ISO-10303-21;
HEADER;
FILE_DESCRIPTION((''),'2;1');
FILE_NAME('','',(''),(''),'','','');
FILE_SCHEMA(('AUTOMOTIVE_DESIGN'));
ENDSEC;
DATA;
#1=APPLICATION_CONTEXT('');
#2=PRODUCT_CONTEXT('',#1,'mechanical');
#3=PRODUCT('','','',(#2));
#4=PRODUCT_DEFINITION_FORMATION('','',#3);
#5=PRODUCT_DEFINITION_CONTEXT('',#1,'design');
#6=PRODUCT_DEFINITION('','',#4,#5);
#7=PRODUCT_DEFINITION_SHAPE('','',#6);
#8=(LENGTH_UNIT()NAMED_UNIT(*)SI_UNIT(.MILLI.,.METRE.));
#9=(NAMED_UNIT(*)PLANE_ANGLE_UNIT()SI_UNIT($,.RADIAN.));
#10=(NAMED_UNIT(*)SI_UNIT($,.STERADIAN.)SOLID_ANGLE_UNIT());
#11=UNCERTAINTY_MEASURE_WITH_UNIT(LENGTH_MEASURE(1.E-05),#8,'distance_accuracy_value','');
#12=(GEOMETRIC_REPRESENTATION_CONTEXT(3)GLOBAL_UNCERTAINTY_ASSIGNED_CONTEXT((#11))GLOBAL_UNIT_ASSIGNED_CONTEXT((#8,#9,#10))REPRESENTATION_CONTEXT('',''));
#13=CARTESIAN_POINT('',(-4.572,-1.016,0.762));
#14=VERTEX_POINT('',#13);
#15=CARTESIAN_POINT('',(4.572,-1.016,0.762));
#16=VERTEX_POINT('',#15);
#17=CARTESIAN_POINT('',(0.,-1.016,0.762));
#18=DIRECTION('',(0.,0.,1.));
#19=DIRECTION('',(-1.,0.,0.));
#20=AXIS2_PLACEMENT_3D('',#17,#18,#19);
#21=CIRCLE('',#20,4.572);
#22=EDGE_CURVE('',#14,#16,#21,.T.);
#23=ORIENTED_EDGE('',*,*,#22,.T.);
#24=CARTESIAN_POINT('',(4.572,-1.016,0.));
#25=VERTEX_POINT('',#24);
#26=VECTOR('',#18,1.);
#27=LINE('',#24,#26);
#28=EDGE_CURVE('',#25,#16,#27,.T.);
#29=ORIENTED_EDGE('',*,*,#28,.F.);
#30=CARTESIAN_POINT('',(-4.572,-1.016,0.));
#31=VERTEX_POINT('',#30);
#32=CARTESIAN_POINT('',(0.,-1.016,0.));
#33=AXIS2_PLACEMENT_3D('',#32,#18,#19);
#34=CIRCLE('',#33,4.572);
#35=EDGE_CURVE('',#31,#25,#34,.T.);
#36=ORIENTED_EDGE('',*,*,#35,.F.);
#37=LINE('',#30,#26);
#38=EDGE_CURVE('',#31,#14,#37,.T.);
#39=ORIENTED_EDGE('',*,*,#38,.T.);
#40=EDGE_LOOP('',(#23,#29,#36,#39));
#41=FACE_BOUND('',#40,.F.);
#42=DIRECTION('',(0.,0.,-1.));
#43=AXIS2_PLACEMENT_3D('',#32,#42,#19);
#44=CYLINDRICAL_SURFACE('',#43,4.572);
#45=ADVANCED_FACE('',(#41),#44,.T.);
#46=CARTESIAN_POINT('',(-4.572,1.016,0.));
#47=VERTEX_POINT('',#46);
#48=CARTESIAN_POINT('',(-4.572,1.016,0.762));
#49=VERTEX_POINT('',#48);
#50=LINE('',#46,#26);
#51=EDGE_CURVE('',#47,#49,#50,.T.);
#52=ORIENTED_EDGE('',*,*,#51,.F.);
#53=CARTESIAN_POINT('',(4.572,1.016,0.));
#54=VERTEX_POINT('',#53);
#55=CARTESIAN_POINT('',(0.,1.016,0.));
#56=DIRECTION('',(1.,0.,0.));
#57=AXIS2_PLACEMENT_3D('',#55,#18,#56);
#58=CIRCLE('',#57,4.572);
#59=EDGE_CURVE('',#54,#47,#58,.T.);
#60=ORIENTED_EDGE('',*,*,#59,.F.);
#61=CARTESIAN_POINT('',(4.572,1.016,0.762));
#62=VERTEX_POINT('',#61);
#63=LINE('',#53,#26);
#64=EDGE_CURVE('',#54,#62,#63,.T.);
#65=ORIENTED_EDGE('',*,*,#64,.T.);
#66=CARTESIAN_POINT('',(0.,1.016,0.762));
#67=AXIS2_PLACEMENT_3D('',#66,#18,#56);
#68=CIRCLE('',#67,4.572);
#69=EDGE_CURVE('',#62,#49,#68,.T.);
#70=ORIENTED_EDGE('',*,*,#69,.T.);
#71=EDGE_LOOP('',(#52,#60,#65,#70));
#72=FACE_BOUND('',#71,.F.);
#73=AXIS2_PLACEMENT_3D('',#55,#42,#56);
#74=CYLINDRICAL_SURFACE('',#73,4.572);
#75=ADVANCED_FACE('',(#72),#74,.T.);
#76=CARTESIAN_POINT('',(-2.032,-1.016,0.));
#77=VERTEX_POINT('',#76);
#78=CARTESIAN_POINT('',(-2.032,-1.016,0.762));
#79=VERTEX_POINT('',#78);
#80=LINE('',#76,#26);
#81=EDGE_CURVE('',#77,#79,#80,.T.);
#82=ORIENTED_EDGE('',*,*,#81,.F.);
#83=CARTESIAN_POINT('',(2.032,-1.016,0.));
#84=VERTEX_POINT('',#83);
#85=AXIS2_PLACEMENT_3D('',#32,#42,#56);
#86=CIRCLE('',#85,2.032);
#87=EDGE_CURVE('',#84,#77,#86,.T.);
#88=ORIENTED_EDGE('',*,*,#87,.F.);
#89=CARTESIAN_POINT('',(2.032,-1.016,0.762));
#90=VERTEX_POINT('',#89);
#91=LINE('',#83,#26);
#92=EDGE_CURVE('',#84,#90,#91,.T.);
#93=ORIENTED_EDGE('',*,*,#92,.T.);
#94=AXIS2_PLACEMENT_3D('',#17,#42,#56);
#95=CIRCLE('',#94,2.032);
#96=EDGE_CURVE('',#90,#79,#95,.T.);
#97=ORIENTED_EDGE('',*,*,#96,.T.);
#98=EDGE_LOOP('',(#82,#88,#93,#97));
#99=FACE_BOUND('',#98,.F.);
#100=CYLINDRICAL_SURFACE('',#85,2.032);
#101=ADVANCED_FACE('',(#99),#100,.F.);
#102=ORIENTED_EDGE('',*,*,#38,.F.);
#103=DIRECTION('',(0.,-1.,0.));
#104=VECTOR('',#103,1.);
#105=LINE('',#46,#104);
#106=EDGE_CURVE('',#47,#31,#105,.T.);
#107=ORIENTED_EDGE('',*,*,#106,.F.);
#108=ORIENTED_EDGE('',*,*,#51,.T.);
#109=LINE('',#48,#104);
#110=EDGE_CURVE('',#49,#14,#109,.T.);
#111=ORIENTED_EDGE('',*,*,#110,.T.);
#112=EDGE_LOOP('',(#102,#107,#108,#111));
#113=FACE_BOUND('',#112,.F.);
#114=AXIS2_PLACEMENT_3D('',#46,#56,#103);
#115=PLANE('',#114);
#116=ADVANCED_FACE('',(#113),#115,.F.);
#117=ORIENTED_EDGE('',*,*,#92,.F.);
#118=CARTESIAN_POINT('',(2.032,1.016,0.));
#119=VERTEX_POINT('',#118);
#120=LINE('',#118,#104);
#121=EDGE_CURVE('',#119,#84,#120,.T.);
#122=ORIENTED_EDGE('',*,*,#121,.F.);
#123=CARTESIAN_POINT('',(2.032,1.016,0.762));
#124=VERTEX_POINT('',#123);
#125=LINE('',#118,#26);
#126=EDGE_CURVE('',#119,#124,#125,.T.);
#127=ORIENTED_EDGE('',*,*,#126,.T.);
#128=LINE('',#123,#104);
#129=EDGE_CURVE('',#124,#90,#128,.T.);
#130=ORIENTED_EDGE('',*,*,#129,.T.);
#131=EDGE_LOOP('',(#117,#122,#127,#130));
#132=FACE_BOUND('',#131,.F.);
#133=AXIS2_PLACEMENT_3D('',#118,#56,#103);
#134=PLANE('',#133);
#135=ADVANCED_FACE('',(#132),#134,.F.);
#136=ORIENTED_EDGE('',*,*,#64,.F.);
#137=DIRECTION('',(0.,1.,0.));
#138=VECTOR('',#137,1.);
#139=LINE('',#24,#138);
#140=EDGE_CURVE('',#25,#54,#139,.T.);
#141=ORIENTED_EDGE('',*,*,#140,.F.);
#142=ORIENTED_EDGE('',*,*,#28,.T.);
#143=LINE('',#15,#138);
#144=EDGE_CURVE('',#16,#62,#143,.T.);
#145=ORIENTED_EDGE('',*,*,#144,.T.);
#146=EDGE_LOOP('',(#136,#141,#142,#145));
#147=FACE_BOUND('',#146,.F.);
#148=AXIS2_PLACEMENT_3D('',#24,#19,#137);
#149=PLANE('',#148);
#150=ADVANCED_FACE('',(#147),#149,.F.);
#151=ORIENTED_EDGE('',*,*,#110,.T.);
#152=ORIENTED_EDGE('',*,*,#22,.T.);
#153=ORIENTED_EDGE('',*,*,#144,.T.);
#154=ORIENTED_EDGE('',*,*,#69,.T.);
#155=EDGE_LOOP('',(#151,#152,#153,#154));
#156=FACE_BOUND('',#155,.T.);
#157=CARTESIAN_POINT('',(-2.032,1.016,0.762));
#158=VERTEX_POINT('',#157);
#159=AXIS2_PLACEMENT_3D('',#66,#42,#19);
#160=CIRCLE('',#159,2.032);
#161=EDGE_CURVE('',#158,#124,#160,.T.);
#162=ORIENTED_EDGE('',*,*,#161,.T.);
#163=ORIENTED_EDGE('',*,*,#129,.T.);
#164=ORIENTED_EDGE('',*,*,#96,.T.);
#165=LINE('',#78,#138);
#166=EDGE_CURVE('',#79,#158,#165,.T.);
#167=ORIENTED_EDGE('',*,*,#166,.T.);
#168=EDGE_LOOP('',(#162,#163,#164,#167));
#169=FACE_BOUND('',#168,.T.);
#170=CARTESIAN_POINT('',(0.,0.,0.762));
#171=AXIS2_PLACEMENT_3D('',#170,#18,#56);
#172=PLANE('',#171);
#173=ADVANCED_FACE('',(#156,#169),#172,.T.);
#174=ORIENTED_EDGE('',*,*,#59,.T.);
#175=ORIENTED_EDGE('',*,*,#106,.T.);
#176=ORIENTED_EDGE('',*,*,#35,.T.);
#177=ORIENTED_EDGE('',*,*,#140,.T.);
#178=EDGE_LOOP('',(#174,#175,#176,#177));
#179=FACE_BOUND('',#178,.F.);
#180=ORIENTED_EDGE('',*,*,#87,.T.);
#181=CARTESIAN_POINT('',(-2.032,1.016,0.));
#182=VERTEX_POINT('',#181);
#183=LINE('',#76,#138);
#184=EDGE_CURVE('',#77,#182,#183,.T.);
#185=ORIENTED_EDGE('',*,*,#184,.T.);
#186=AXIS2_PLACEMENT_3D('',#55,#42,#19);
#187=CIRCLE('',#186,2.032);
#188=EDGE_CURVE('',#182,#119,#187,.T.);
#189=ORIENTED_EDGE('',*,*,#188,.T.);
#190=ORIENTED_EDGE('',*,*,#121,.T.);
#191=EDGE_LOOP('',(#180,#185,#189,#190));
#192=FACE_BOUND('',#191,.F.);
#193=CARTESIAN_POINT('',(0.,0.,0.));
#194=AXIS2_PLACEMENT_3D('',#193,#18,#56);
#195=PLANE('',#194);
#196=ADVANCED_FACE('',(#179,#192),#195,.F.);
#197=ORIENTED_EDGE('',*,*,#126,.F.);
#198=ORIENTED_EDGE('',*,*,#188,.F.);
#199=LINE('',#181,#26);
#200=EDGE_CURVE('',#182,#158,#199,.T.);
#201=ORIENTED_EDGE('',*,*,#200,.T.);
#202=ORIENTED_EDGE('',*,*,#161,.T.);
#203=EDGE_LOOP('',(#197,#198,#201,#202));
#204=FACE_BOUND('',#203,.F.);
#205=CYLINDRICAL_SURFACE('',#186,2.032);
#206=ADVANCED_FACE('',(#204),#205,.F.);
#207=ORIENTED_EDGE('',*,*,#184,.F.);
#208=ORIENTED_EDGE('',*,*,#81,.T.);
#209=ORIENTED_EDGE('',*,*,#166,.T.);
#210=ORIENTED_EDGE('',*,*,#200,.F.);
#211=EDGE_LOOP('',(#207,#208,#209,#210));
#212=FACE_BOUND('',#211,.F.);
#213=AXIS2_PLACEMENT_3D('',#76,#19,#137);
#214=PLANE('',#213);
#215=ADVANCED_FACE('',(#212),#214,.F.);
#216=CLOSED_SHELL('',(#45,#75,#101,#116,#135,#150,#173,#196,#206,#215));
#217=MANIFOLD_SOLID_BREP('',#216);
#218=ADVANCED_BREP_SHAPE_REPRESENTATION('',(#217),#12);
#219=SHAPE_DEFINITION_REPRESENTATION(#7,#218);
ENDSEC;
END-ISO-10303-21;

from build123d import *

# Parameters (mm, degrees)
F1_DEPTH = 0.762


with BuildPart() as f1:
    # F0 (on Top) → F1 (new body)
    with BuildSketch(Plane.XY):
        with BuildLine():
            Line((4.572, -1.016), (4.572, 1.016))
            ThreePointArc((4.572, 1.016), (0, 5.588), (-4.572, 1.016))
            Line((-4.572, 1.016), (-4.572, -1.016))
            ThreePointArc((-4.572, -1.016), (0, -5.588), (4.572, -1.016))
        make_face()
        with BuildLine():
            Line((-2.032, -1.016), (-2.032, 1.016))
            ThreePointArc((-2.032, 1.016), (0, 3.048), (2.032, 1.016))
            Line((2.032, 1.016), (2.032, -1.016))
            ThreePointArc((2.032, -1.016), (0, -3.048), (-2.032, -1.016))
        make_face(mode=Mode.SUBTRACT)
    extrude(amount=F1_DEPTH)


solid = f1.part
